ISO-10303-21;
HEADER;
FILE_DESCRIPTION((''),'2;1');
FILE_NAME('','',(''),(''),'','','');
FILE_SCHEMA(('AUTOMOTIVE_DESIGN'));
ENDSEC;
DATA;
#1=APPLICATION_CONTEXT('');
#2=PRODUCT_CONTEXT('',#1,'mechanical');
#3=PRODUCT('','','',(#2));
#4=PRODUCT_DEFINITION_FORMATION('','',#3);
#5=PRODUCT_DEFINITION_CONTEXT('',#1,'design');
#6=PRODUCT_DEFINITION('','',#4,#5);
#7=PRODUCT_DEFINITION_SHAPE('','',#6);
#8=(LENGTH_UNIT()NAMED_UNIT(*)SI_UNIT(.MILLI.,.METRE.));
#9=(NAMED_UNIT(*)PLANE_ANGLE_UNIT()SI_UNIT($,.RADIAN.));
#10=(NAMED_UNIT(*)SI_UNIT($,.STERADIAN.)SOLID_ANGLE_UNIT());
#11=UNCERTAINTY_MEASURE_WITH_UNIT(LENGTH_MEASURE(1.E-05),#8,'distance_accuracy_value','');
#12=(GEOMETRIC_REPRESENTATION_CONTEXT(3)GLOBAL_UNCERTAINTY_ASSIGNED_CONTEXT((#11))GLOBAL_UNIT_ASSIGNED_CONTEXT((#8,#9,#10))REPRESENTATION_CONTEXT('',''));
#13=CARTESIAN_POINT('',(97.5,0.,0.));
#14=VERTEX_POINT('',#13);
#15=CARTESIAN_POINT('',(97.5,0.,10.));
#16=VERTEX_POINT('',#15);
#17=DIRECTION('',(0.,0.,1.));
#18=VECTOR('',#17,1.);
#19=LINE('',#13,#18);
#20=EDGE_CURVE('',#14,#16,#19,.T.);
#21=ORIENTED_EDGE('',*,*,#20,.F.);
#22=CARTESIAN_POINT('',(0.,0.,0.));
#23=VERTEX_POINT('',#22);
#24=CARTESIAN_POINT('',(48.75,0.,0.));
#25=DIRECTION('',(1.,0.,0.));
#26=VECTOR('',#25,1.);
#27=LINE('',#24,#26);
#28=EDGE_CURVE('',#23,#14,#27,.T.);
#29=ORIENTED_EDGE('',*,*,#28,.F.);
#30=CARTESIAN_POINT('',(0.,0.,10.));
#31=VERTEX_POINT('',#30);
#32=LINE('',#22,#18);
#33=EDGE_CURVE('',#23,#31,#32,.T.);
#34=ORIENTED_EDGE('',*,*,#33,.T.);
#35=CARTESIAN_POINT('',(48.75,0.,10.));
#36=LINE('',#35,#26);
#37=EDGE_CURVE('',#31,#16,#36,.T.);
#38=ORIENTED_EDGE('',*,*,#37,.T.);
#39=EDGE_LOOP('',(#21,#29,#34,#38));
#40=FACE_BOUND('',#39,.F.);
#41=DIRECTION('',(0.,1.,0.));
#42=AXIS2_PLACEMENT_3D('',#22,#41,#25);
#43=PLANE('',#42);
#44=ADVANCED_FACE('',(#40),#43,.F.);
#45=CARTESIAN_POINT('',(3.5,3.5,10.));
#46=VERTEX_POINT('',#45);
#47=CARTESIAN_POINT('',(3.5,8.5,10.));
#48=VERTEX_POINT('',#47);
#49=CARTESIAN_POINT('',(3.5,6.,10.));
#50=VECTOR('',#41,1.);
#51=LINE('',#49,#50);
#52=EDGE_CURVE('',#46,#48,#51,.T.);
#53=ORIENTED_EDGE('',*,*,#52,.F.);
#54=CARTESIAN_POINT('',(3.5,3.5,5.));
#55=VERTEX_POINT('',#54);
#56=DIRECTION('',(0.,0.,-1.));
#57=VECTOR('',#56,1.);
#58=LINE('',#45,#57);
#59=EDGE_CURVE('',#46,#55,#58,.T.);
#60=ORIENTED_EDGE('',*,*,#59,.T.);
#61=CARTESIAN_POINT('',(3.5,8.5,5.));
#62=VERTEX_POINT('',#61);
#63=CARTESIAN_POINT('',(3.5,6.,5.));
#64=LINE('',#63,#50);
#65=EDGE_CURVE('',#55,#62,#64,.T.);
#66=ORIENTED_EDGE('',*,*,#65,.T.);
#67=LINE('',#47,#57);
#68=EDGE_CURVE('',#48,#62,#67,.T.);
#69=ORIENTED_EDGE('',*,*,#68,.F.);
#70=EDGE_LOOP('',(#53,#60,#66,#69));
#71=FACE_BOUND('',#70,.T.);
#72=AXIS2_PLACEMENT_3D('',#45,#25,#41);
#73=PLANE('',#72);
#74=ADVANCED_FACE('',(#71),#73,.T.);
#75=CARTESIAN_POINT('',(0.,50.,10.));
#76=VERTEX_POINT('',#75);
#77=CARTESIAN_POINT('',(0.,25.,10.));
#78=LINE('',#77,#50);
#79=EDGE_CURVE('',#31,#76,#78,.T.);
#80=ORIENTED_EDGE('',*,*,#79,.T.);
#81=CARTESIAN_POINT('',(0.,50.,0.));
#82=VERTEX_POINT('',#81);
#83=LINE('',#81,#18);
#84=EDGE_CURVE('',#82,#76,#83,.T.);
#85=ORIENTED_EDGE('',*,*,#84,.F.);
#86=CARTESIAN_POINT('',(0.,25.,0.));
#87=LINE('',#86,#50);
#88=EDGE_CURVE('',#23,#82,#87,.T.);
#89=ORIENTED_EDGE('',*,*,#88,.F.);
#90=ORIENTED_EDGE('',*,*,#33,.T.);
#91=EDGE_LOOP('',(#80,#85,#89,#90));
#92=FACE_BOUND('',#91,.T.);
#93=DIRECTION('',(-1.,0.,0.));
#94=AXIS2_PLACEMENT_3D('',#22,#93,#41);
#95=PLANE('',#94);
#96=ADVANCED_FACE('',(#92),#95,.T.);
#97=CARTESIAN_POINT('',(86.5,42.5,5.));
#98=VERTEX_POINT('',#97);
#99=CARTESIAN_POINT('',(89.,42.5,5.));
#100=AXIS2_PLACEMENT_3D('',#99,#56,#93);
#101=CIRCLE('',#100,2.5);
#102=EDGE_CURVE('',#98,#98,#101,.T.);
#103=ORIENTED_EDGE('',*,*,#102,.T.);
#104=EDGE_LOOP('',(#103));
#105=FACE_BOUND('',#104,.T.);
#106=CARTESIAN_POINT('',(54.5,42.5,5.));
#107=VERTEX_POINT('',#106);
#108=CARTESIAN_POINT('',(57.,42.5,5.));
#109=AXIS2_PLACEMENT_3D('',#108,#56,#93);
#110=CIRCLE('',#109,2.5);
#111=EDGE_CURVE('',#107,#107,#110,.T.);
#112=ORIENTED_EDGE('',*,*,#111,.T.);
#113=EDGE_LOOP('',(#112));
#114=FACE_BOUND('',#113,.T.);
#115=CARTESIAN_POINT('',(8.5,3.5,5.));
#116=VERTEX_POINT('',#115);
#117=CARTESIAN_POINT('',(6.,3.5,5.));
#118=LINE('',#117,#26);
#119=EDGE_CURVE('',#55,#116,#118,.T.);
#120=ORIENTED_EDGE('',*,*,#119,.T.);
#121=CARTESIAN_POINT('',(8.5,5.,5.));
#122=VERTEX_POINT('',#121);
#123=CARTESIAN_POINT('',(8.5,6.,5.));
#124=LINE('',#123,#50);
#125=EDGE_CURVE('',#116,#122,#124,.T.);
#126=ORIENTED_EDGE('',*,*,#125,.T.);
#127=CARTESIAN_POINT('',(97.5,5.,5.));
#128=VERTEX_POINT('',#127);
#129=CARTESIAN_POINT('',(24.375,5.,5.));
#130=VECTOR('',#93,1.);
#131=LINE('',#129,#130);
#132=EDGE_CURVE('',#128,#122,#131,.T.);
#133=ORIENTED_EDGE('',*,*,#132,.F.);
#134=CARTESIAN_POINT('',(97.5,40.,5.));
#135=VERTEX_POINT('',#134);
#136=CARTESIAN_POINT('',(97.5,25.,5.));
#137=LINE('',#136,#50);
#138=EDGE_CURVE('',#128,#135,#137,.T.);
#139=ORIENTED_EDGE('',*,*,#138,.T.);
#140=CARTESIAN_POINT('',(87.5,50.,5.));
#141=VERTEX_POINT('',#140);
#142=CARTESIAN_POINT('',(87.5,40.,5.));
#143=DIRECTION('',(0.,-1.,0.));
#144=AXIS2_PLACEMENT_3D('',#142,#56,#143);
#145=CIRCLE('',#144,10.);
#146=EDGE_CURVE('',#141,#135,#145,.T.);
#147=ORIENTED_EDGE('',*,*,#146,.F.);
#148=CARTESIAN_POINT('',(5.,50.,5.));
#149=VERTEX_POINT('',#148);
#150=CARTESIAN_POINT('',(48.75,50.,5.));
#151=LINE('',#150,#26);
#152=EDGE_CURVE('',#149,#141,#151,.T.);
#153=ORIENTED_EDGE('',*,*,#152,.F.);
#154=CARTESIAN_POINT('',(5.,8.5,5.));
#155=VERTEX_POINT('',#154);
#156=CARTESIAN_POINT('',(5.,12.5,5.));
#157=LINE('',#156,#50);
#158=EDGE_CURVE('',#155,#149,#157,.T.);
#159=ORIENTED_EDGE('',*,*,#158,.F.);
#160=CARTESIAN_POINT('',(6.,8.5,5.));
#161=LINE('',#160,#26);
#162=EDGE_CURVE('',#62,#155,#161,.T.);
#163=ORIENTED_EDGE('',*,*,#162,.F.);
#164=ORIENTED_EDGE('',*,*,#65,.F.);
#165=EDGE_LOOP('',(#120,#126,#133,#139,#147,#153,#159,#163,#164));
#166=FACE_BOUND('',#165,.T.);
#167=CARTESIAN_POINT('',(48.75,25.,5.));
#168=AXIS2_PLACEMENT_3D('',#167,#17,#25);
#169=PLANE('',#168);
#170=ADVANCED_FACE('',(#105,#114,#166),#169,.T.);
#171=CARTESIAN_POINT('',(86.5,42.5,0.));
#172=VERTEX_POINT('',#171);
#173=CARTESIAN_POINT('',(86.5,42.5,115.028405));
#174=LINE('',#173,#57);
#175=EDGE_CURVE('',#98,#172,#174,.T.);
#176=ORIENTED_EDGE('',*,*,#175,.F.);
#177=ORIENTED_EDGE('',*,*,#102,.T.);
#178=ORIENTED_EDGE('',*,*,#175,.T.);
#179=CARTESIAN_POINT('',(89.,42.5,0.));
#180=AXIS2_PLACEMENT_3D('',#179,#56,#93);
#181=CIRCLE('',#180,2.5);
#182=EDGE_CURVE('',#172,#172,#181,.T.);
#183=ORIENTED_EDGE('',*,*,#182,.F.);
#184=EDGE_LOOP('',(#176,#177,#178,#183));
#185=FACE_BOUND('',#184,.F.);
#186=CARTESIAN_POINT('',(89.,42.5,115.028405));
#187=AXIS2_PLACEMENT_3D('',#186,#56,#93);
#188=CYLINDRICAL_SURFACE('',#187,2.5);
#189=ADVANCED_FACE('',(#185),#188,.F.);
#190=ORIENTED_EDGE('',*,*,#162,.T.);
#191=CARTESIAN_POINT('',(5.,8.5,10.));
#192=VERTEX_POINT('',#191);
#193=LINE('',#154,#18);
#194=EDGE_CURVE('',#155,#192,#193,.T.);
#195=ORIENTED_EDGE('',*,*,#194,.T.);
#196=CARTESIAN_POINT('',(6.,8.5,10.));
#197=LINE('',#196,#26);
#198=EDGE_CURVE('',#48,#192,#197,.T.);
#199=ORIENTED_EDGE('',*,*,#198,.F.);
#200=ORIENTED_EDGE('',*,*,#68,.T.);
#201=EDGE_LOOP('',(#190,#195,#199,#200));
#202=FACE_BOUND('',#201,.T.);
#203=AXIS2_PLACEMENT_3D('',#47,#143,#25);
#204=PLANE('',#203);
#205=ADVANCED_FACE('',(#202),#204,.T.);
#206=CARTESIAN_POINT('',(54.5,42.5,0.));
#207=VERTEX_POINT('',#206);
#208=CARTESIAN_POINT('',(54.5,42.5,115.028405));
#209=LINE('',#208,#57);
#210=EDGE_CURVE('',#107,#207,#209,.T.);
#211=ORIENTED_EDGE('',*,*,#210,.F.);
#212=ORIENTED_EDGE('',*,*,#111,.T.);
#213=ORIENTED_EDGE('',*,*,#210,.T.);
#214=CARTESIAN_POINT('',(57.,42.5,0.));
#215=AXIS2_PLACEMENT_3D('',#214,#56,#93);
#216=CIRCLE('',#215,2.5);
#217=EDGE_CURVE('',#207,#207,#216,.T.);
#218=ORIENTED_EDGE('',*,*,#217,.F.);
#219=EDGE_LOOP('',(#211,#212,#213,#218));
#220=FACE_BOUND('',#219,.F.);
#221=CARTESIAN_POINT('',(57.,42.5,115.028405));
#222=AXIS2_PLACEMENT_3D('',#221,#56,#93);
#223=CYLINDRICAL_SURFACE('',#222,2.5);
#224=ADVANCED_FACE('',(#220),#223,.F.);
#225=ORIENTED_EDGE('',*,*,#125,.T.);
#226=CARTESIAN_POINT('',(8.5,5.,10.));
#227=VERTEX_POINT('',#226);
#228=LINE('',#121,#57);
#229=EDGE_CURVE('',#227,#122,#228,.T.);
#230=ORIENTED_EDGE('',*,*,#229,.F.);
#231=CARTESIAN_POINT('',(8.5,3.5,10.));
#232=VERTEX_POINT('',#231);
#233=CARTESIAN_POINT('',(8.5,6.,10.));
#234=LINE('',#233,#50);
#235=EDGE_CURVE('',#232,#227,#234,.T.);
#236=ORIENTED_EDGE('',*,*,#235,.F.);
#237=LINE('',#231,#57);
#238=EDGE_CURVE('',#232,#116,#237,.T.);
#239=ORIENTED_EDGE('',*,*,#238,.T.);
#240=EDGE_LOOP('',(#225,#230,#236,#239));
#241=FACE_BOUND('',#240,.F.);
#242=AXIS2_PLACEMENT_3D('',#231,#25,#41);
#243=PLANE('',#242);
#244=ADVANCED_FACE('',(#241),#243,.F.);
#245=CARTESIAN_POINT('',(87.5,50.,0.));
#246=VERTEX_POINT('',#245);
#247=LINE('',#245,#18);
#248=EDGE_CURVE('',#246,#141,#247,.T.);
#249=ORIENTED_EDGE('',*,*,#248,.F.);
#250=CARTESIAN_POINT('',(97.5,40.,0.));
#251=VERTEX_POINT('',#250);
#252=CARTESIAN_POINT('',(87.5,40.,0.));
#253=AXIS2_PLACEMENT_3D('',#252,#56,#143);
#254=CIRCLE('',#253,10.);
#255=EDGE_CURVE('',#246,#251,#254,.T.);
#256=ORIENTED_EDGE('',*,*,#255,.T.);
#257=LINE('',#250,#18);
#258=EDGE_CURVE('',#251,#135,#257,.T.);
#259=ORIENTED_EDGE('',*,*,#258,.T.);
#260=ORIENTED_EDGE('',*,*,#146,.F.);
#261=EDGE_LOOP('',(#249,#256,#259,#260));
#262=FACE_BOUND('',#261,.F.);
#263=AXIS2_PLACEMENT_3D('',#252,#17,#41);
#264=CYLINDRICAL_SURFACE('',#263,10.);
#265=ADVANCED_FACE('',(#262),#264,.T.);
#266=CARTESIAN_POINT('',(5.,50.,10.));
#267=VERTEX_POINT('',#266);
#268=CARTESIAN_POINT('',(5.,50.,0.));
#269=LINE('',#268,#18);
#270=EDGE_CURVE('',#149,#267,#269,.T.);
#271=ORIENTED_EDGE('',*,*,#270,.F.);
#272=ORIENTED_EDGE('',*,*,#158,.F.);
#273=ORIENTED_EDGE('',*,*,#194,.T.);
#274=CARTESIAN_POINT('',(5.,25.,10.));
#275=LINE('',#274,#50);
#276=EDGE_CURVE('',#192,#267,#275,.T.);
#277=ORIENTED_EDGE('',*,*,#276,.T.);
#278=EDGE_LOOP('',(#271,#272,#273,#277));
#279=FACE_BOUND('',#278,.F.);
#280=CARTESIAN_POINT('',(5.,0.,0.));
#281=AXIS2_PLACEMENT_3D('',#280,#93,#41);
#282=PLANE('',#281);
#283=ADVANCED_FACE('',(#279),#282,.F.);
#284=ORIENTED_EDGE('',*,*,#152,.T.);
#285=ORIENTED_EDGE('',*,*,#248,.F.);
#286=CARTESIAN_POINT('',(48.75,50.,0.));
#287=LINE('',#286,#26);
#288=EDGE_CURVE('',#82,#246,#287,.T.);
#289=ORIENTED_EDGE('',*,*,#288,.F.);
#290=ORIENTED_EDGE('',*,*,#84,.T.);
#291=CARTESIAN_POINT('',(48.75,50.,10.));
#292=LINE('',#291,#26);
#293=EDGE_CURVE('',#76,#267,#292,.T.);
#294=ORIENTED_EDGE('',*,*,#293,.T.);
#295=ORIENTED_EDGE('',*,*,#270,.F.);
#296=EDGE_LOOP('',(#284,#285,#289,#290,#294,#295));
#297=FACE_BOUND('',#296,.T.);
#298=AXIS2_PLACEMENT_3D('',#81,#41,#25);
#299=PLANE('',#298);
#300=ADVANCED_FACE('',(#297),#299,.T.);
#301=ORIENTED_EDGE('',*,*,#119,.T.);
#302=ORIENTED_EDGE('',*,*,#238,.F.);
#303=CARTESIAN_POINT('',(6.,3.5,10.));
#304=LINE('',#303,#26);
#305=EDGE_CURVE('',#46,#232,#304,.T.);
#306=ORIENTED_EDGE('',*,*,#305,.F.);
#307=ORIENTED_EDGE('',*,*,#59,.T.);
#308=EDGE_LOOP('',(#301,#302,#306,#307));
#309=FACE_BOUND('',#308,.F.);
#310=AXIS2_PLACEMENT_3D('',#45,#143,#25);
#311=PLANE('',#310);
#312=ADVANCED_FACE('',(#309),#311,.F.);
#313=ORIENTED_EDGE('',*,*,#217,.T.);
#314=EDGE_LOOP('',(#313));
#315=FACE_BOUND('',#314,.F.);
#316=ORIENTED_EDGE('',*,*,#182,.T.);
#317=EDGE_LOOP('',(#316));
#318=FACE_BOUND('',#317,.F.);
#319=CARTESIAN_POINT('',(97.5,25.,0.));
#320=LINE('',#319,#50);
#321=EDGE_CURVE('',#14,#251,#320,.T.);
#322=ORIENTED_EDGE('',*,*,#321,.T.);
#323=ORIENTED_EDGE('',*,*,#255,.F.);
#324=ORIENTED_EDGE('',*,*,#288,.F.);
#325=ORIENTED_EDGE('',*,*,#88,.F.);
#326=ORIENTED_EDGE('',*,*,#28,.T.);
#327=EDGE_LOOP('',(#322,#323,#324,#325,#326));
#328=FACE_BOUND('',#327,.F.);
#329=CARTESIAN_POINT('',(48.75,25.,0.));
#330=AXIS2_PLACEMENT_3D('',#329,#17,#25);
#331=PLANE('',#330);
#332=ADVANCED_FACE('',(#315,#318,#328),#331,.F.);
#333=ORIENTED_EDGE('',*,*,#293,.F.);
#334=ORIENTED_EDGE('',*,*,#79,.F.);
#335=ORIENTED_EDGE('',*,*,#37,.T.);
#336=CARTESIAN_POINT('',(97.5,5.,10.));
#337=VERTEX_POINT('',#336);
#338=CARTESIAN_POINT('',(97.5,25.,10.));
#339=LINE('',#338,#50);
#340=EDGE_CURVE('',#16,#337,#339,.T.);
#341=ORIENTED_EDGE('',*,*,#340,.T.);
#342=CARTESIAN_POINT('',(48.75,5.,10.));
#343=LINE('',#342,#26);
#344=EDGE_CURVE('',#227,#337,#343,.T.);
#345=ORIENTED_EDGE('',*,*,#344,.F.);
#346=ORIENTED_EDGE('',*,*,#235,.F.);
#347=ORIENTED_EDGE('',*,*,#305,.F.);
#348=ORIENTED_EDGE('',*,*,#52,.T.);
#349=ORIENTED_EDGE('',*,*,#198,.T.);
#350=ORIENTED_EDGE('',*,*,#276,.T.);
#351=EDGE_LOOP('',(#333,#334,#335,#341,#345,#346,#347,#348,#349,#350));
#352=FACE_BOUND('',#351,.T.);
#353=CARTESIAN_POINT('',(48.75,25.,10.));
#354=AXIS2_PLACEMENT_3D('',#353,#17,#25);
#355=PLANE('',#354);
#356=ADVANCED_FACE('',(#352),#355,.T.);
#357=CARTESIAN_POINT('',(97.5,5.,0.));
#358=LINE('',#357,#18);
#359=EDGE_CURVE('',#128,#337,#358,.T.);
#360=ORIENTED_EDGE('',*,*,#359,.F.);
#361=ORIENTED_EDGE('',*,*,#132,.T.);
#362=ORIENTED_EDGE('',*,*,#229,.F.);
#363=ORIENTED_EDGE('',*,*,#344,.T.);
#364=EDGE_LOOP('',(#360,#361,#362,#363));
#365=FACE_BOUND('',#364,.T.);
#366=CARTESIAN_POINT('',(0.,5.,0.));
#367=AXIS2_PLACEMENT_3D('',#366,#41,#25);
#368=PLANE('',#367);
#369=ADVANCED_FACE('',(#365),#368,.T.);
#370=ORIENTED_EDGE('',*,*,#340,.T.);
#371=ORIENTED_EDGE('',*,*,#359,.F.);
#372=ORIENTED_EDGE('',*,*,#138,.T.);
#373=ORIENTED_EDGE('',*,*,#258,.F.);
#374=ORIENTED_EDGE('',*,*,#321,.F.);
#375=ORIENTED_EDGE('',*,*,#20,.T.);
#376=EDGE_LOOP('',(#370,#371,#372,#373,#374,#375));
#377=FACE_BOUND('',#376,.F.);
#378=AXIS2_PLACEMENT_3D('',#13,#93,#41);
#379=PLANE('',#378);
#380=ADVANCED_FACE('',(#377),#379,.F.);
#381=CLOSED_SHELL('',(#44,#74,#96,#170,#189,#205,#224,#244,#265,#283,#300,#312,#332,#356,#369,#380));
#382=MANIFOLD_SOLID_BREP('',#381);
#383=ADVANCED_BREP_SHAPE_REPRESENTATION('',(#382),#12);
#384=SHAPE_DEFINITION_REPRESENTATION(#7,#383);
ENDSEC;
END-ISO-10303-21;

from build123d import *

# Parameters (mm, degrees)
F0_W     = 97.5
F0_H     = 50
F1_DEPTH = 10
F2_T     = -5
F3_W     = 5
F3_H     = 5
F4_DEPTH = 5
F6_D     = 5
F7_R     = 10


with BuildPart() as f1:
    # F0 (on Top) → F1 (new body)
    with BuildSketch(Plane.XY):
        with Locations((48.75, 25)):
            Rectangle(F0_W, F0_H)
    extrude(amount=F1_DEPTH)

    # F2
    f2_openings = [f1.faces().sort_by_distance(p)[0] for p in [
        (97.5, 25, 5),
        (48.75, 50, 5),
        (48.75, 25, 10),
    ]]
    offset(amount=F2_T, openings=f2_openings)

    # F3 (on face) → F4 (cut)
    with BuildSketch(Plane.XY.offset(10)):
        with Locations((6, 6)):
            Rectangle(F3_W, F3_H)
    extrude(amount=-F4_DEPTH, mode=Mode.SUBTRACT)

    # F6 (through all)
    with Locations(Plane.XY.offset(5)):
        with Locations((57, 42.5), (89, 42.5)):
            Hole(F6_D / 2)

    # F7
    f7_edges = [f1.edges().sort_by_distance(p)[0] for p in [
        (97.5, 50, 2.5),
    ]]
    fillet(f7_edges, radius=F7_R)


solid = f1.part
